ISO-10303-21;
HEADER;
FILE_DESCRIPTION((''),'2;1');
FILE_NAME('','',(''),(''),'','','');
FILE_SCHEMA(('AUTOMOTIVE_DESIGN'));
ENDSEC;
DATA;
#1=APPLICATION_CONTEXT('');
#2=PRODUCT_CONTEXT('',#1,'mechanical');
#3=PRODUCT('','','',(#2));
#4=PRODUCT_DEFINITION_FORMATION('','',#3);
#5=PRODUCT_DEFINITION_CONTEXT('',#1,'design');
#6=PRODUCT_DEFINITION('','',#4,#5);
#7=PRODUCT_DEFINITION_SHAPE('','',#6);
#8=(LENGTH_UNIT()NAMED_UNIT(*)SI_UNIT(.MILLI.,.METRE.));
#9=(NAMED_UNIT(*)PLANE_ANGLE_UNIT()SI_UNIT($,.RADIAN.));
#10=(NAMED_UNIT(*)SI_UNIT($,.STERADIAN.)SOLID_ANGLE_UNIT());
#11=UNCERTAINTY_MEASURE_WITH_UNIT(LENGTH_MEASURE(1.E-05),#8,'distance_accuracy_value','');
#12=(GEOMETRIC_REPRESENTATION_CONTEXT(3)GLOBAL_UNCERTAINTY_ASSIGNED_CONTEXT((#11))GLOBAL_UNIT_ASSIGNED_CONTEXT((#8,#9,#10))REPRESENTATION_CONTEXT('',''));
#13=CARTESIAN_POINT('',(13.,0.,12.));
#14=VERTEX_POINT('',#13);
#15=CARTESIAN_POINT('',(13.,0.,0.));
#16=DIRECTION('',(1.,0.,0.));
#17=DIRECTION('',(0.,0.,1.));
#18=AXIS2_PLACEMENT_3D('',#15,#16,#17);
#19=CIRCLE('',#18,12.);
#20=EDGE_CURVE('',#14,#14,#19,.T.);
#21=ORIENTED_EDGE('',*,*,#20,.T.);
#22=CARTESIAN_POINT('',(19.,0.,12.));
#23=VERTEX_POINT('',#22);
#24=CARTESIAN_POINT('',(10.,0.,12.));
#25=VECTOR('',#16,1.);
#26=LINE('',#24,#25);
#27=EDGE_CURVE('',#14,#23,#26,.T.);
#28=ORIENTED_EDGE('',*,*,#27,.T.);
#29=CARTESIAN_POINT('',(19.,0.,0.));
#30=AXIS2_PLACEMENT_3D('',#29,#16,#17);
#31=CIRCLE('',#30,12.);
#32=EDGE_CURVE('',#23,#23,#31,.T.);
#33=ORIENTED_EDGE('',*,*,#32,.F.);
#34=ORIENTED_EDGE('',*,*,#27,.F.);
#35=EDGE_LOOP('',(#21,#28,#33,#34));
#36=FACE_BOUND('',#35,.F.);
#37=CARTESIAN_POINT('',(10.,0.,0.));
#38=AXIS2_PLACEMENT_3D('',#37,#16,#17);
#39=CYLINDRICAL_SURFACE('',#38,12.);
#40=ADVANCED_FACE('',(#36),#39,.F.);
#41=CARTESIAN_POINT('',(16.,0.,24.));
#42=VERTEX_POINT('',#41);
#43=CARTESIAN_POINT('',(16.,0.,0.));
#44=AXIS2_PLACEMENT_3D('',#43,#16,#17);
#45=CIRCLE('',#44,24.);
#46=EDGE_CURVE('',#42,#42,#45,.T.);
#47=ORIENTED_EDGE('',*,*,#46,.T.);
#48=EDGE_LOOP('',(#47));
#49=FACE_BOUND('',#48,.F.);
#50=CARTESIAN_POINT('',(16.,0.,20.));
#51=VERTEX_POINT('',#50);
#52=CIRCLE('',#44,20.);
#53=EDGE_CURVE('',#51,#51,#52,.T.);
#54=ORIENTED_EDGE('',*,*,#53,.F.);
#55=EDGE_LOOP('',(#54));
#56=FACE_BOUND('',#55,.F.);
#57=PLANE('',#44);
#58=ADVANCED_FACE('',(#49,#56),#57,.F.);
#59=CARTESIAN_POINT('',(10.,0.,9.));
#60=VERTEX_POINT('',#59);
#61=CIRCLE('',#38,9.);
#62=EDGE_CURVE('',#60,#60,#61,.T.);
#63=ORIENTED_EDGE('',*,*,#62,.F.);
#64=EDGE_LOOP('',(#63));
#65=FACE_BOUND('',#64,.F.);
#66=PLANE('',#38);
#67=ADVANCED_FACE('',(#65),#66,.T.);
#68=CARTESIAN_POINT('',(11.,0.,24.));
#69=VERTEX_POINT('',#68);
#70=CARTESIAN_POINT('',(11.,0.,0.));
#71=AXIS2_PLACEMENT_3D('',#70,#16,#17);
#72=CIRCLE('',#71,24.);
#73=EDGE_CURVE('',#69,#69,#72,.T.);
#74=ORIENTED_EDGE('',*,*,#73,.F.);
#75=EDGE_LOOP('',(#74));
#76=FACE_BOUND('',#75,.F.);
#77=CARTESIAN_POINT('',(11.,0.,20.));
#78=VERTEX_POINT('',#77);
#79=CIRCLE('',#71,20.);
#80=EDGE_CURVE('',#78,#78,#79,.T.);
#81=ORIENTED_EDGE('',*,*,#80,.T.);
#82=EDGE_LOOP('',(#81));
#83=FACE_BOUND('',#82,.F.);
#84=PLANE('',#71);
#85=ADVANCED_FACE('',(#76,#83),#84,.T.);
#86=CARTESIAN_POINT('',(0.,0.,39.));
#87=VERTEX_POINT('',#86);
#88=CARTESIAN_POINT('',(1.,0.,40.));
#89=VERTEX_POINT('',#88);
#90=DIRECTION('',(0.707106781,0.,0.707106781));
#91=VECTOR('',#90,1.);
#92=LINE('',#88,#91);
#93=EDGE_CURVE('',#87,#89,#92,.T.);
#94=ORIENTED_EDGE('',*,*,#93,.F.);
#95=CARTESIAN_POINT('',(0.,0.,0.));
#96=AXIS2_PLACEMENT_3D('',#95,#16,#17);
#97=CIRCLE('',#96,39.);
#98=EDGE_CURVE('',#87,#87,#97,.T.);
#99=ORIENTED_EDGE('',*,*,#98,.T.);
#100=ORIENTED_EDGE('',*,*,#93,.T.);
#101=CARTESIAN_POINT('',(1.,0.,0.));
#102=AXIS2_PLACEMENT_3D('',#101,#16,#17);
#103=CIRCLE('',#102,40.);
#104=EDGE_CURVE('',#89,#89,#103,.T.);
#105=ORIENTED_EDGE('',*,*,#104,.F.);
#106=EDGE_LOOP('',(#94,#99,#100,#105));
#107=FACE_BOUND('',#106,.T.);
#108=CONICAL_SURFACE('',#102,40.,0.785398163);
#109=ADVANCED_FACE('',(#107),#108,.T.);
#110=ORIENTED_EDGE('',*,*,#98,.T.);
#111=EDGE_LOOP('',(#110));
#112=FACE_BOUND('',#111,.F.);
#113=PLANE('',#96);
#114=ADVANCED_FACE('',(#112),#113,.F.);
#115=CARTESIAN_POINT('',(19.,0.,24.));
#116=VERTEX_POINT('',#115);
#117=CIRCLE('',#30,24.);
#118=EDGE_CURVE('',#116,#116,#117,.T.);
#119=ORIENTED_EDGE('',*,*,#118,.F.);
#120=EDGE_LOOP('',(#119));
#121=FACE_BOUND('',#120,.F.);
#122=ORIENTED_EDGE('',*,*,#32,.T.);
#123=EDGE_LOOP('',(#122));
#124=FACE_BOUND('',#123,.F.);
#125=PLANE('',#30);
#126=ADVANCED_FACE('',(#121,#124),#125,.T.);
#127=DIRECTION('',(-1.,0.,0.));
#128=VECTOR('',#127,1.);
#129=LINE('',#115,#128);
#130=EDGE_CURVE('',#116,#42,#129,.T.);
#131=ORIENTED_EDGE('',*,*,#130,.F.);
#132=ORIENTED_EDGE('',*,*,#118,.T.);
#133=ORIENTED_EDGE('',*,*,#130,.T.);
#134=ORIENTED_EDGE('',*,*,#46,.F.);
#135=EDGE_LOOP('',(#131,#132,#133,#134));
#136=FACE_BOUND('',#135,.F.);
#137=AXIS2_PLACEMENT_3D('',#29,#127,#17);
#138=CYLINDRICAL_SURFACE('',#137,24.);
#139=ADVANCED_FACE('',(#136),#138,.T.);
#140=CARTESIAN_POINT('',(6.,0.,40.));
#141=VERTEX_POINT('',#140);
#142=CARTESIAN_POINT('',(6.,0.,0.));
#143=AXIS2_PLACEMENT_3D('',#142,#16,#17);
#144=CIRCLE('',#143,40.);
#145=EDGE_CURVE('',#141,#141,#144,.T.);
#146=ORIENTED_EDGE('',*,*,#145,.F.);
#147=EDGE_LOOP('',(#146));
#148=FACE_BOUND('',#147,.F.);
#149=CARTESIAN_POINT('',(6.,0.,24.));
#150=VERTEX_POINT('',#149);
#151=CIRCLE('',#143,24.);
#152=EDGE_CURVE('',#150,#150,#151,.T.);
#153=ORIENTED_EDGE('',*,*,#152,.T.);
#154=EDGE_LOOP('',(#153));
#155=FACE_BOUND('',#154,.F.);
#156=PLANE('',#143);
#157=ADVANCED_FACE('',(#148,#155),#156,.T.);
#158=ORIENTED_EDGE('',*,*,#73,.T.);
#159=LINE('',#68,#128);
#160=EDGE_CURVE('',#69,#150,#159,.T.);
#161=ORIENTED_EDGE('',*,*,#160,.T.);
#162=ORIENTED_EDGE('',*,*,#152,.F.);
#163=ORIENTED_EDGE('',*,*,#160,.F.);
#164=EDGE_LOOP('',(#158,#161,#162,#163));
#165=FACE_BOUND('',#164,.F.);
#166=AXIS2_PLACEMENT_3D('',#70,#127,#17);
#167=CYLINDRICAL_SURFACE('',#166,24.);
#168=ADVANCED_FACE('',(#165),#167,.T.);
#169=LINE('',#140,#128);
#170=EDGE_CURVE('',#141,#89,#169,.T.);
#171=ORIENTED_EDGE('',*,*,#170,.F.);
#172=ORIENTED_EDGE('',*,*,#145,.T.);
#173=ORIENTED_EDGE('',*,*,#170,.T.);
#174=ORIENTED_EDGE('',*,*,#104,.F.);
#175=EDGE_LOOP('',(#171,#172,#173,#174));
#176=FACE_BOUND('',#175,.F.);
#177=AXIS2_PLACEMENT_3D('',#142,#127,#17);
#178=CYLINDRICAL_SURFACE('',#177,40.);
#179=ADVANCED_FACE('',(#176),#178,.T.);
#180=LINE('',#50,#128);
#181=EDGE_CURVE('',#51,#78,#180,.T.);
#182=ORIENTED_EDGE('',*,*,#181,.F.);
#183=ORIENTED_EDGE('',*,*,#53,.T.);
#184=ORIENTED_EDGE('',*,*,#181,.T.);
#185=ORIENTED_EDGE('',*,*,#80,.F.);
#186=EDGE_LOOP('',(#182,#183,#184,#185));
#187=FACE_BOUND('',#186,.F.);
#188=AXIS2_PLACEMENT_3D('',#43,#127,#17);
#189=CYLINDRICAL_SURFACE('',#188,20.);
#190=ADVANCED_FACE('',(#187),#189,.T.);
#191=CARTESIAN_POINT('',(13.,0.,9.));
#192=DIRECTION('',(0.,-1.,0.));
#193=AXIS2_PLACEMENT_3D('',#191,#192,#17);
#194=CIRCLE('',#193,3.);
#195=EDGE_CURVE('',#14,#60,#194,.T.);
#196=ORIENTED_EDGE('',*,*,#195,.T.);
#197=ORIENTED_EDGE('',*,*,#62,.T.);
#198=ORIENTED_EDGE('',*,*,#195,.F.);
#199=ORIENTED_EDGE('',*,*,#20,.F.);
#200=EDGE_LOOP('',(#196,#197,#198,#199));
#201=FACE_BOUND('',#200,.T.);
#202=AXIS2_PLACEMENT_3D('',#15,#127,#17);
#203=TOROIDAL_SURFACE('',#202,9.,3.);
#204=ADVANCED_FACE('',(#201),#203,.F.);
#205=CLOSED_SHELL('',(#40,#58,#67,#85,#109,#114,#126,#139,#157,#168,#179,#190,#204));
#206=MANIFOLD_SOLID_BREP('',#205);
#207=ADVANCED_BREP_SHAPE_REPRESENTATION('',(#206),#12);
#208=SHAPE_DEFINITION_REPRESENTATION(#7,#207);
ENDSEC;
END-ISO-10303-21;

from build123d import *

# Parameters (mm, degrees)
F2_SIZE = 1
F3_R    = 3


with BuildPart() as f1:
    # F0 (on Front) → F1 (revolve)
    with BuildSketch(Plane.XZ):
        Polygon((0, 40), (0, 0), (10, 0), (10, 12), (19, 12), (19, 24), (16, 24), (16, 20), (11, 20), (11, 24), (6, 24), (6, 40), align=None)
    revolve(axis=Axis((9.5, 0, 0), (1, 0, 0)))

    # F2
    f2_edges = [f1.edges().sort_by_distance(p)[0] for p in [
        (0, 0, -40),
    ]]
    chamfer(f2_edges, length=F2_SIZE)

    # F3
    f3_edges = [f1.edges().sort_by_distance(p)[0] for p in [
        (10, 0, -12),
    ]]
    fillet(f3_edges, radius=F3_R)


solid = f1.part
